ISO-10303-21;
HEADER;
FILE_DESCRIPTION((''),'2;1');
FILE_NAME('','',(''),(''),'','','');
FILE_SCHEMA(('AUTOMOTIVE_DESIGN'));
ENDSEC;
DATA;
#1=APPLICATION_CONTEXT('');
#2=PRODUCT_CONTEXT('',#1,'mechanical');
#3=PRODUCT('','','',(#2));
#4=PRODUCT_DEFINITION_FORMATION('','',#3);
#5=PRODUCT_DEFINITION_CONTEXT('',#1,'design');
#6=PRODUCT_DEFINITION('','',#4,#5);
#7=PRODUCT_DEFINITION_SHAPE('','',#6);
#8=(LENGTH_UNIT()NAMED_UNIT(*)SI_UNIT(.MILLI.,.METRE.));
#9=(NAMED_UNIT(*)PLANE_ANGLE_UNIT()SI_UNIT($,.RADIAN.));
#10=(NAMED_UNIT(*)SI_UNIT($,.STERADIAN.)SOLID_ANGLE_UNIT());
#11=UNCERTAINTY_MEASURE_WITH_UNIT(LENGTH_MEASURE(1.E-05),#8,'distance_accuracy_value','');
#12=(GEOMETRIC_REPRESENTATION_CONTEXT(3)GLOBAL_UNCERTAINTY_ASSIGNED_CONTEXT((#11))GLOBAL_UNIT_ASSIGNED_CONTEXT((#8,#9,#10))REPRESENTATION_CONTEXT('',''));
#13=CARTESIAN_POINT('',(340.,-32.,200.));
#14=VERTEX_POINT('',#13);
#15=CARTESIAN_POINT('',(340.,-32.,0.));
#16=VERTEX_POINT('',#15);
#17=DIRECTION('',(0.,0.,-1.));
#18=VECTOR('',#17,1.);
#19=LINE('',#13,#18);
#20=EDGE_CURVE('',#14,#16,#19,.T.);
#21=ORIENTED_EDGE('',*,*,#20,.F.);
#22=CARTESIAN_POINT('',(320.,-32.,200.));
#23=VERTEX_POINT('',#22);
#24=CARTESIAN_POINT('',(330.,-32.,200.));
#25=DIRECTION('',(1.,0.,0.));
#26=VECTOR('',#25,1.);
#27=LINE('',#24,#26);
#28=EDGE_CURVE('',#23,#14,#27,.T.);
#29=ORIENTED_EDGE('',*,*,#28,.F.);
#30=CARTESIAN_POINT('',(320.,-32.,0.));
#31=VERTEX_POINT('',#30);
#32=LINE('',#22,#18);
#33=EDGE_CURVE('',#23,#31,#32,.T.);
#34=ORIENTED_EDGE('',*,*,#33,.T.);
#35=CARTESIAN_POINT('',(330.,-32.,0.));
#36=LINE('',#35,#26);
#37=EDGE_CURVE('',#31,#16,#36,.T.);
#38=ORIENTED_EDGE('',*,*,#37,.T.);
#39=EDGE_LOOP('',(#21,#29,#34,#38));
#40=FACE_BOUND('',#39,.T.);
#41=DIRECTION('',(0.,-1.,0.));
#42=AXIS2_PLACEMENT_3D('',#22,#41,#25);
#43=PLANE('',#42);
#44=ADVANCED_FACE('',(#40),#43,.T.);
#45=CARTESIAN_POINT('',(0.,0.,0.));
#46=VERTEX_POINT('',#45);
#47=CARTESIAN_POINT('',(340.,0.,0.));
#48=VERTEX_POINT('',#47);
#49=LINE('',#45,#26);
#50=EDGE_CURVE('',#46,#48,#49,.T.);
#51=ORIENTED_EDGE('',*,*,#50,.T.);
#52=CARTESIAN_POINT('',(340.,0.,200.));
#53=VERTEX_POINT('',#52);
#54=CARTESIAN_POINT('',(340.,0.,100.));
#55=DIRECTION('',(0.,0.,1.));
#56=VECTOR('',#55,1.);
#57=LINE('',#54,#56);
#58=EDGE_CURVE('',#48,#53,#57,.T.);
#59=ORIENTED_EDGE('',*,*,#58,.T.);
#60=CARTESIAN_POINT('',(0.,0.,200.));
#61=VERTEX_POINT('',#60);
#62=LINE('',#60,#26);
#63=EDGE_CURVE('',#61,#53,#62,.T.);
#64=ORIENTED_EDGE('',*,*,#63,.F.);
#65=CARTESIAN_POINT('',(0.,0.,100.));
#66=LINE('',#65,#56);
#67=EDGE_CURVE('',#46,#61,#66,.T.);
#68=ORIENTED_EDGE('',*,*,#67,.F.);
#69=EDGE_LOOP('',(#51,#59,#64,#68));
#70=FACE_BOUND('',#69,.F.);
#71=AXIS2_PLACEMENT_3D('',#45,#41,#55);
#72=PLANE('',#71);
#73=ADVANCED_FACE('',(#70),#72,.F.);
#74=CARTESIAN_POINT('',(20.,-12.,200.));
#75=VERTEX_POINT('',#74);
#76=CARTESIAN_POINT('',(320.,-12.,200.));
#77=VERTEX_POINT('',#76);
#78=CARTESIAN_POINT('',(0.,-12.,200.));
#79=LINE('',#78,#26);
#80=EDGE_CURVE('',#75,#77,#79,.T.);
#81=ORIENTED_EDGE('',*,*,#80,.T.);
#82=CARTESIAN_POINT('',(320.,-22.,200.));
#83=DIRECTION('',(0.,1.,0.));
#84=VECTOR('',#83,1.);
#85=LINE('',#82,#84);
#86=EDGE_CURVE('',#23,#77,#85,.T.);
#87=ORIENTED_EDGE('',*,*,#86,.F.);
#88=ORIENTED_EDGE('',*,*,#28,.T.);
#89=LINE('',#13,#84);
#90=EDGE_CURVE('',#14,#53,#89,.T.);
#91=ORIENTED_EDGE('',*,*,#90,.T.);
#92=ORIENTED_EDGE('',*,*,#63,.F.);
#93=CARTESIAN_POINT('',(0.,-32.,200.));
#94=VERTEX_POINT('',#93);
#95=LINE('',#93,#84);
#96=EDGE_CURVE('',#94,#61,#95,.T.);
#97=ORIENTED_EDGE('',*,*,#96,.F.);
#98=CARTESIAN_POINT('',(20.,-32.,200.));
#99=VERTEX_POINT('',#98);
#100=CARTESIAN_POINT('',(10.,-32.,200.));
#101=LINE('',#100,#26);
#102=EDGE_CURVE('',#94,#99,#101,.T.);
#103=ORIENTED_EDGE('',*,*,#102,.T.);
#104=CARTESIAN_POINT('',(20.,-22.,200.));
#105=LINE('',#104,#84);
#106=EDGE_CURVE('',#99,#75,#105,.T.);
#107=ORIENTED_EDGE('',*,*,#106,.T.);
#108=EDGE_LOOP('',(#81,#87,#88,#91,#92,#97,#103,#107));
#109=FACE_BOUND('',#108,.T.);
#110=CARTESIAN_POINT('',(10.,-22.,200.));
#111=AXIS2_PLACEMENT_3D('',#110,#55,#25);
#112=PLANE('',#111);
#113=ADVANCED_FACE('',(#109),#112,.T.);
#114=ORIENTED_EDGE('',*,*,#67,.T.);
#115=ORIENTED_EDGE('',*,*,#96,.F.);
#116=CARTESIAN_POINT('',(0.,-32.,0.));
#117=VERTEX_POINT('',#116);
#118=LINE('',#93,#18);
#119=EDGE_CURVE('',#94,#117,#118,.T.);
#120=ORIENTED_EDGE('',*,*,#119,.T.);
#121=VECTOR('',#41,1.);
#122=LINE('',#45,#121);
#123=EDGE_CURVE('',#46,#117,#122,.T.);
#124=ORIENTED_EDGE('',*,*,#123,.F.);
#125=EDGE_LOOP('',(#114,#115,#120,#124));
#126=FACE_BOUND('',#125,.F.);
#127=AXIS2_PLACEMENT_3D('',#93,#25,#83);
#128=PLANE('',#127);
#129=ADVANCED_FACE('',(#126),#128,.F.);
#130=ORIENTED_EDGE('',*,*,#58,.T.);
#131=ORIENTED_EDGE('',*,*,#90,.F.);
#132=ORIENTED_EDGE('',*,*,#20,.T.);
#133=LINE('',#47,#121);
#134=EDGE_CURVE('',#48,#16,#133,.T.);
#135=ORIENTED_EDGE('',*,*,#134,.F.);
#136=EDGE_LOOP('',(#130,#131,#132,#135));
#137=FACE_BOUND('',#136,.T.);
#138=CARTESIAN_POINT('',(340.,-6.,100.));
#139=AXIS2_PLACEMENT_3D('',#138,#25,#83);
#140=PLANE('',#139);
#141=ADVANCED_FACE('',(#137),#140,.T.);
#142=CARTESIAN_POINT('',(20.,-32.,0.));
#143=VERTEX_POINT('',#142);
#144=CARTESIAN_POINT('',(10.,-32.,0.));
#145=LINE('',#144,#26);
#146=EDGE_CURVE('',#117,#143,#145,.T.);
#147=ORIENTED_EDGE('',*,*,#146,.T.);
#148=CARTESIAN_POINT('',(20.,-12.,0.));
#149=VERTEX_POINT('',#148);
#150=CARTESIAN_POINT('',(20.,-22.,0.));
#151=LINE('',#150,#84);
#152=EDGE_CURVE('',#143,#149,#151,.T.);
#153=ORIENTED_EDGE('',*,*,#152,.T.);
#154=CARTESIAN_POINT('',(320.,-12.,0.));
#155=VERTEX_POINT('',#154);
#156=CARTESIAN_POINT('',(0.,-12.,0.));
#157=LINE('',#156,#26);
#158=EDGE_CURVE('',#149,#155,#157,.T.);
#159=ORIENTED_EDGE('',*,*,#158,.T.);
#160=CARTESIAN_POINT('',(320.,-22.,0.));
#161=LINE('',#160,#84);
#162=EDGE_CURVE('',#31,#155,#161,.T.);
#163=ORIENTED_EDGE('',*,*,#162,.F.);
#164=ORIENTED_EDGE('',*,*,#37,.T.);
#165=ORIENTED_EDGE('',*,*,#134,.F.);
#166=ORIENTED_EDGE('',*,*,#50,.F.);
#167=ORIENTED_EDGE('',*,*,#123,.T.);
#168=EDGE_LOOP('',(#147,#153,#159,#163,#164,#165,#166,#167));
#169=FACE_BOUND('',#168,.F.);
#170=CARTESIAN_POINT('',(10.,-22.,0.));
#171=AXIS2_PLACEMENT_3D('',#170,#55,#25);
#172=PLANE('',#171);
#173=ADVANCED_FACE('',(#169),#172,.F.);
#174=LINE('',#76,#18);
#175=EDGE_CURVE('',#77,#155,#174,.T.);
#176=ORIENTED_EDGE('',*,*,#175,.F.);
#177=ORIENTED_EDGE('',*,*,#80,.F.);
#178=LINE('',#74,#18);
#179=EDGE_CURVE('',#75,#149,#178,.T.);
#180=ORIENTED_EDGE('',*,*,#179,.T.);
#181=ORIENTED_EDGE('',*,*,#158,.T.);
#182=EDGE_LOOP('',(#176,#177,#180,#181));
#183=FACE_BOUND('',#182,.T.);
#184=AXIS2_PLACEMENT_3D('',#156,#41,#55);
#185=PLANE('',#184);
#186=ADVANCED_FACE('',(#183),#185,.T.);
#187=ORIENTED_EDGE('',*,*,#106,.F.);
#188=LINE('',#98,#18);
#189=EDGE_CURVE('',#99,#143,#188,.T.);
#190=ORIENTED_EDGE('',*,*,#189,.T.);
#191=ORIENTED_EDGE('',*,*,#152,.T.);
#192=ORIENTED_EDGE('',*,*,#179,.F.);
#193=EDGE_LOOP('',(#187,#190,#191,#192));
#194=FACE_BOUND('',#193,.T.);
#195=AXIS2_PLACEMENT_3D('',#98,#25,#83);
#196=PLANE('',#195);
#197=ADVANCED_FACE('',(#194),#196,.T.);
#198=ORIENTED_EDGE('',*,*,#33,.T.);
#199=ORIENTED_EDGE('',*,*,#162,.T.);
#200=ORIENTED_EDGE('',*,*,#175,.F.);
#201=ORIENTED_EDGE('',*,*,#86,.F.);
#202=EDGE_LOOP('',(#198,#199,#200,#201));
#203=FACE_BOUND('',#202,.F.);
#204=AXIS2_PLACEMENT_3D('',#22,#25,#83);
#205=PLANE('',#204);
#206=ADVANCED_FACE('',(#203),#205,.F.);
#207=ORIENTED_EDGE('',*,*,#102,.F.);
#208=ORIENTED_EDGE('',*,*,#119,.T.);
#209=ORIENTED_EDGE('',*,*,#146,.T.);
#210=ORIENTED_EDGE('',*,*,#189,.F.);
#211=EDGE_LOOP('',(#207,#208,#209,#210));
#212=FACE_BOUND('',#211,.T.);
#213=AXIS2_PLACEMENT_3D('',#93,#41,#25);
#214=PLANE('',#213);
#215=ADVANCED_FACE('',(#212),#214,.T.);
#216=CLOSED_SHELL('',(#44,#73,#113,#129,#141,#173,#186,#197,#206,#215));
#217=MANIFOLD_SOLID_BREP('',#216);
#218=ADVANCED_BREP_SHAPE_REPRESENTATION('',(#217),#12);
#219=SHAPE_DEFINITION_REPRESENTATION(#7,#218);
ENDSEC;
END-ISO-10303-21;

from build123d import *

# Parameters (mm, degrees)
F0_W     = 12
F0_H     = 200
F1_DEPTH = 340
F2_W     = 20
F2_H     = 20
F3_DEPTH = 200


with BuildPart() as f1:
    # F0 (on Right) → F1 (new body)
    with BuildSketch(Plane.YZ):
        with Locations((-6, 100)):
            Rectangle(F0_W, F0_H)
    extrude(amount=F1_DEPTH)

    # F2 (on face) → F3 (join)
    with BuildSketch(Plane.XY.offset(200)):
        with Locations((10, -22)):
            Rectangle(F2_W, F2_H)
        with Locations((330, -22)):
            Rectangle(F2_W, F2_H)
    extrude(amount=-F3_DEPTH)


solid = f1.part
